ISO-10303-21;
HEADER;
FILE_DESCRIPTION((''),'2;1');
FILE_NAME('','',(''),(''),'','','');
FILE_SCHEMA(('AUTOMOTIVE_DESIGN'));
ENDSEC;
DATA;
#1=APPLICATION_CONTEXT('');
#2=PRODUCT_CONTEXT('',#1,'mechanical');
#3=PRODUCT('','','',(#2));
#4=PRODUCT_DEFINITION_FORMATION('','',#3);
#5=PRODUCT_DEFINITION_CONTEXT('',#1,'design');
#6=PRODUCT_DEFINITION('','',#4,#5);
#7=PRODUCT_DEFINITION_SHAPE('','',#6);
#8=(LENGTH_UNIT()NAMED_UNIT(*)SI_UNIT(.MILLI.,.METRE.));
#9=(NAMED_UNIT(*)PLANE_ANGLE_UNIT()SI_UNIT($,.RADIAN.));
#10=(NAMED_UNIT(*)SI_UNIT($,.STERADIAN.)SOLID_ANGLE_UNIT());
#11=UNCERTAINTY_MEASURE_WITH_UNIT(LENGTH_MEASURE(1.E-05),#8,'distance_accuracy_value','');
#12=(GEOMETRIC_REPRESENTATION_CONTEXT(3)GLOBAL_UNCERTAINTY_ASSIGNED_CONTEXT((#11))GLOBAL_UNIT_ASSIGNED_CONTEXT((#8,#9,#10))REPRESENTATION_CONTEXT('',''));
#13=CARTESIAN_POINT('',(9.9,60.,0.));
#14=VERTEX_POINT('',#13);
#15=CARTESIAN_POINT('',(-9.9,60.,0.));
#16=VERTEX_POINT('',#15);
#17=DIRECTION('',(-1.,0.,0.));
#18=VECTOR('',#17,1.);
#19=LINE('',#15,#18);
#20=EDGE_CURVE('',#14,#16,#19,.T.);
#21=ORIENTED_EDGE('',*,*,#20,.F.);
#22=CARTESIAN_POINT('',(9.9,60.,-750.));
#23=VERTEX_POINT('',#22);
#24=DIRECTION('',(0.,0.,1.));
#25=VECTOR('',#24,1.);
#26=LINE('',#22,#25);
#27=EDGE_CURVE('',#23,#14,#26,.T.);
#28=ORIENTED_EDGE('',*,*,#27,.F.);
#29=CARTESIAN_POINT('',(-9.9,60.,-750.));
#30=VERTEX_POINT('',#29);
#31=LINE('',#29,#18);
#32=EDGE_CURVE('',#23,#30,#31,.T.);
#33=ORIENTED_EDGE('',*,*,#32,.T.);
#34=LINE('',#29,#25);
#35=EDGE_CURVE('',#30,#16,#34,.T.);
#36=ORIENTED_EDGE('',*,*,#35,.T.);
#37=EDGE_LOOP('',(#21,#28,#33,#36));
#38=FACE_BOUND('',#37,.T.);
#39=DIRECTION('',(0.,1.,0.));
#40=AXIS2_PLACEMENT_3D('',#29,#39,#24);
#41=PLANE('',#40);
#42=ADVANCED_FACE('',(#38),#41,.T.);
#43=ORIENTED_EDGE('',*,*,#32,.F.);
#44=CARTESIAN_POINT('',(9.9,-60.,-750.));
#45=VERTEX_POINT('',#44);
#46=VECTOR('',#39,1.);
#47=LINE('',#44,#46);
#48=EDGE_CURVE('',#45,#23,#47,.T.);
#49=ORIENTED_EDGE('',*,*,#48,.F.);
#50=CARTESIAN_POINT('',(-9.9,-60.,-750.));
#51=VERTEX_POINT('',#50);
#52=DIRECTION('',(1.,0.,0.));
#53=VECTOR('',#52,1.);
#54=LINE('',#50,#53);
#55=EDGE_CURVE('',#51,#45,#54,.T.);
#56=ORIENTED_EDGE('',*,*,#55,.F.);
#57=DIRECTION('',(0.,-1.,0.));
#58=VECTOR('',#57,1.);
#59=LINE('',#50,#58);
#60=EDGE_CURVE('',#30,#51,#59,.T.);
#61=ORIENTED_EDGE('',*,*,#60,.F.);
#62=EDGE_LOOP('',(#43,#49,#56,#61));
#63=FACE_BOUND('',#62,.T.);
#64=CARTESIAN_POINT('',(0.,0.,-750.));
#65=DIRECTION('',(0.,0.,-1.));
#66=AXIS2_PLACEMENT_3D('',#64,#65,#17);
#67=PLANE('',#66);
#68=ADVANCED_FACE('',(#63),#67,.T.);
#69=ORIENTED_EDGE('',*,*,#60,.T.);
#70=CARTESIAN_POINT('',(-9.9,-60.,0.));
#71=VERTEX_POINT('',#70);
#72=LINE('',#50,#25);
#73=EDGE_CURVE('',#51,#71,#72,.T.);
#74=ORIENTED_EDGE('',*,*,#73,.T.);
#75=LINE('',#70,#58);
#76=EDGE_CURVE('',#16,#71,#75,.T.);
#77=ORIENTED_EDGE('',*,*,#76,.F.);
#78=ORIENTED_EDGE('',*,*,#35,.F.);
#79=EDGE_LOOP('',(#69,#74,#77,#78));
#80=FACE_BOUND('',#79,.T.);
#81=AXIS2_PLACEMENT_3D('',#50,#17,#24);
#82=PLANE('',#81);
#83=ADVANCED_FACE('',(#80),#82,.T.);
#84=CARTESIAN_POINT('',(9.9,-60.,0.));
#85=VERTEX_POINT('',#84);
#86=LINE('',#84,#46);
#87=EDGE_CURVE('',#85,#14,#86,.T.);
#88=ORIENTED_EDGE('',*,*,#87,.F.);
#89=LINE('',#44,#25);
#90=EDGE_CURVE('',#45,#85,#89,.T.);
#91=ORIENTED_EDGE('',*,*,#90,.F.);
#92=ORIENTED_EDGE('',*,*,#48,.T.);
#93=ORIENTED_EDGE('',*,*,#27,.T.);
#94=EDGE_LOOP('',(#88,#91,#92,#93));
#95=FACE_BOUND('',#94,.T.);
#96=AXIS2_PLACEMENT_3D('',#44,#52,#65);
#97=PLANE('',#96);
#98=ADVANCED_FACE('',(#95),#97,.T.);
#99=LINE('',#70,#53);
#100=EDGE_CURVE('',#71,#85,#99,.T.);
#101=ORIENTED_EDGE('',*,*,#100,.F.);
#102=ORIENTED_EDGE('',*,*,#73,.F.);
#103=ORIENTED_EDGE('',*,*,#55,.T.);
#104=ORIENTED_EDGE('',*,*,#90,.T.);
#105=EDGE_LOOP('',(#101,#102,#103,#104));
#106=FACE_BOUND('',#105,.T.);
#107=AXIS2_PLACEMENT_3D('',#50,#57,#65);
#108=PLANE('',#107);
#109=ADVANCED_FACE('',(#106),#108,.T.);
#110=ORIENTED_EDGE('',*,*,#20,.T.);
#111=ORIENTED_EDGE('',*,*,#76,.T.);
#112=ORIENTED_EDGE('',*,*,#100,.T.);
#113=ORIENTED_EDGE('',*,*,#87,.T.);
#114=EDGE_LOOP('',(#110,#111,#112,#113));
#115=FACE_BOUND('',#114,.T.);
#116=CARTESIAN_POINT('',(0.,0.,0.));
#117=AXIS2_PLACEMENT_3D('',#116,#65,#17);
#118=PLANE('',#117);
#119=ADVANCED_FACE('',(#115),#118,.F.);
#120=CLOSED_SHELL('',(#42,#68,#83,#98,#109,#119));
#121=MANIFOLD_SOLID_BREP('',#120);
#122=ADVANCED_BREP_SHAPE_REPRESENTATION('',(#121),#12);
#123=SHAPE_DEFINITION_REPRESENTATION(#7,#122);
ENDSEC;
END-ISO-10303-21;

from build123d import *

# Parameters (mm, degrees)
ESBO_O1_W                = 19.8
ESBO_O1_H                = 120
RESSALTO_EXTRUS_O1_DEPTH = 750


with BuildPart() as part:
    # Esboço1 → Ressalto-extrusão1 (new body)
    with BuildSketch(Plane.XY):
        Rectangle(ESBO_O1_W, ESBO_O1_H)
    extrude(amount=-RESSALTO_EXTRUS_O1_DEPTH)


solid = part.part
